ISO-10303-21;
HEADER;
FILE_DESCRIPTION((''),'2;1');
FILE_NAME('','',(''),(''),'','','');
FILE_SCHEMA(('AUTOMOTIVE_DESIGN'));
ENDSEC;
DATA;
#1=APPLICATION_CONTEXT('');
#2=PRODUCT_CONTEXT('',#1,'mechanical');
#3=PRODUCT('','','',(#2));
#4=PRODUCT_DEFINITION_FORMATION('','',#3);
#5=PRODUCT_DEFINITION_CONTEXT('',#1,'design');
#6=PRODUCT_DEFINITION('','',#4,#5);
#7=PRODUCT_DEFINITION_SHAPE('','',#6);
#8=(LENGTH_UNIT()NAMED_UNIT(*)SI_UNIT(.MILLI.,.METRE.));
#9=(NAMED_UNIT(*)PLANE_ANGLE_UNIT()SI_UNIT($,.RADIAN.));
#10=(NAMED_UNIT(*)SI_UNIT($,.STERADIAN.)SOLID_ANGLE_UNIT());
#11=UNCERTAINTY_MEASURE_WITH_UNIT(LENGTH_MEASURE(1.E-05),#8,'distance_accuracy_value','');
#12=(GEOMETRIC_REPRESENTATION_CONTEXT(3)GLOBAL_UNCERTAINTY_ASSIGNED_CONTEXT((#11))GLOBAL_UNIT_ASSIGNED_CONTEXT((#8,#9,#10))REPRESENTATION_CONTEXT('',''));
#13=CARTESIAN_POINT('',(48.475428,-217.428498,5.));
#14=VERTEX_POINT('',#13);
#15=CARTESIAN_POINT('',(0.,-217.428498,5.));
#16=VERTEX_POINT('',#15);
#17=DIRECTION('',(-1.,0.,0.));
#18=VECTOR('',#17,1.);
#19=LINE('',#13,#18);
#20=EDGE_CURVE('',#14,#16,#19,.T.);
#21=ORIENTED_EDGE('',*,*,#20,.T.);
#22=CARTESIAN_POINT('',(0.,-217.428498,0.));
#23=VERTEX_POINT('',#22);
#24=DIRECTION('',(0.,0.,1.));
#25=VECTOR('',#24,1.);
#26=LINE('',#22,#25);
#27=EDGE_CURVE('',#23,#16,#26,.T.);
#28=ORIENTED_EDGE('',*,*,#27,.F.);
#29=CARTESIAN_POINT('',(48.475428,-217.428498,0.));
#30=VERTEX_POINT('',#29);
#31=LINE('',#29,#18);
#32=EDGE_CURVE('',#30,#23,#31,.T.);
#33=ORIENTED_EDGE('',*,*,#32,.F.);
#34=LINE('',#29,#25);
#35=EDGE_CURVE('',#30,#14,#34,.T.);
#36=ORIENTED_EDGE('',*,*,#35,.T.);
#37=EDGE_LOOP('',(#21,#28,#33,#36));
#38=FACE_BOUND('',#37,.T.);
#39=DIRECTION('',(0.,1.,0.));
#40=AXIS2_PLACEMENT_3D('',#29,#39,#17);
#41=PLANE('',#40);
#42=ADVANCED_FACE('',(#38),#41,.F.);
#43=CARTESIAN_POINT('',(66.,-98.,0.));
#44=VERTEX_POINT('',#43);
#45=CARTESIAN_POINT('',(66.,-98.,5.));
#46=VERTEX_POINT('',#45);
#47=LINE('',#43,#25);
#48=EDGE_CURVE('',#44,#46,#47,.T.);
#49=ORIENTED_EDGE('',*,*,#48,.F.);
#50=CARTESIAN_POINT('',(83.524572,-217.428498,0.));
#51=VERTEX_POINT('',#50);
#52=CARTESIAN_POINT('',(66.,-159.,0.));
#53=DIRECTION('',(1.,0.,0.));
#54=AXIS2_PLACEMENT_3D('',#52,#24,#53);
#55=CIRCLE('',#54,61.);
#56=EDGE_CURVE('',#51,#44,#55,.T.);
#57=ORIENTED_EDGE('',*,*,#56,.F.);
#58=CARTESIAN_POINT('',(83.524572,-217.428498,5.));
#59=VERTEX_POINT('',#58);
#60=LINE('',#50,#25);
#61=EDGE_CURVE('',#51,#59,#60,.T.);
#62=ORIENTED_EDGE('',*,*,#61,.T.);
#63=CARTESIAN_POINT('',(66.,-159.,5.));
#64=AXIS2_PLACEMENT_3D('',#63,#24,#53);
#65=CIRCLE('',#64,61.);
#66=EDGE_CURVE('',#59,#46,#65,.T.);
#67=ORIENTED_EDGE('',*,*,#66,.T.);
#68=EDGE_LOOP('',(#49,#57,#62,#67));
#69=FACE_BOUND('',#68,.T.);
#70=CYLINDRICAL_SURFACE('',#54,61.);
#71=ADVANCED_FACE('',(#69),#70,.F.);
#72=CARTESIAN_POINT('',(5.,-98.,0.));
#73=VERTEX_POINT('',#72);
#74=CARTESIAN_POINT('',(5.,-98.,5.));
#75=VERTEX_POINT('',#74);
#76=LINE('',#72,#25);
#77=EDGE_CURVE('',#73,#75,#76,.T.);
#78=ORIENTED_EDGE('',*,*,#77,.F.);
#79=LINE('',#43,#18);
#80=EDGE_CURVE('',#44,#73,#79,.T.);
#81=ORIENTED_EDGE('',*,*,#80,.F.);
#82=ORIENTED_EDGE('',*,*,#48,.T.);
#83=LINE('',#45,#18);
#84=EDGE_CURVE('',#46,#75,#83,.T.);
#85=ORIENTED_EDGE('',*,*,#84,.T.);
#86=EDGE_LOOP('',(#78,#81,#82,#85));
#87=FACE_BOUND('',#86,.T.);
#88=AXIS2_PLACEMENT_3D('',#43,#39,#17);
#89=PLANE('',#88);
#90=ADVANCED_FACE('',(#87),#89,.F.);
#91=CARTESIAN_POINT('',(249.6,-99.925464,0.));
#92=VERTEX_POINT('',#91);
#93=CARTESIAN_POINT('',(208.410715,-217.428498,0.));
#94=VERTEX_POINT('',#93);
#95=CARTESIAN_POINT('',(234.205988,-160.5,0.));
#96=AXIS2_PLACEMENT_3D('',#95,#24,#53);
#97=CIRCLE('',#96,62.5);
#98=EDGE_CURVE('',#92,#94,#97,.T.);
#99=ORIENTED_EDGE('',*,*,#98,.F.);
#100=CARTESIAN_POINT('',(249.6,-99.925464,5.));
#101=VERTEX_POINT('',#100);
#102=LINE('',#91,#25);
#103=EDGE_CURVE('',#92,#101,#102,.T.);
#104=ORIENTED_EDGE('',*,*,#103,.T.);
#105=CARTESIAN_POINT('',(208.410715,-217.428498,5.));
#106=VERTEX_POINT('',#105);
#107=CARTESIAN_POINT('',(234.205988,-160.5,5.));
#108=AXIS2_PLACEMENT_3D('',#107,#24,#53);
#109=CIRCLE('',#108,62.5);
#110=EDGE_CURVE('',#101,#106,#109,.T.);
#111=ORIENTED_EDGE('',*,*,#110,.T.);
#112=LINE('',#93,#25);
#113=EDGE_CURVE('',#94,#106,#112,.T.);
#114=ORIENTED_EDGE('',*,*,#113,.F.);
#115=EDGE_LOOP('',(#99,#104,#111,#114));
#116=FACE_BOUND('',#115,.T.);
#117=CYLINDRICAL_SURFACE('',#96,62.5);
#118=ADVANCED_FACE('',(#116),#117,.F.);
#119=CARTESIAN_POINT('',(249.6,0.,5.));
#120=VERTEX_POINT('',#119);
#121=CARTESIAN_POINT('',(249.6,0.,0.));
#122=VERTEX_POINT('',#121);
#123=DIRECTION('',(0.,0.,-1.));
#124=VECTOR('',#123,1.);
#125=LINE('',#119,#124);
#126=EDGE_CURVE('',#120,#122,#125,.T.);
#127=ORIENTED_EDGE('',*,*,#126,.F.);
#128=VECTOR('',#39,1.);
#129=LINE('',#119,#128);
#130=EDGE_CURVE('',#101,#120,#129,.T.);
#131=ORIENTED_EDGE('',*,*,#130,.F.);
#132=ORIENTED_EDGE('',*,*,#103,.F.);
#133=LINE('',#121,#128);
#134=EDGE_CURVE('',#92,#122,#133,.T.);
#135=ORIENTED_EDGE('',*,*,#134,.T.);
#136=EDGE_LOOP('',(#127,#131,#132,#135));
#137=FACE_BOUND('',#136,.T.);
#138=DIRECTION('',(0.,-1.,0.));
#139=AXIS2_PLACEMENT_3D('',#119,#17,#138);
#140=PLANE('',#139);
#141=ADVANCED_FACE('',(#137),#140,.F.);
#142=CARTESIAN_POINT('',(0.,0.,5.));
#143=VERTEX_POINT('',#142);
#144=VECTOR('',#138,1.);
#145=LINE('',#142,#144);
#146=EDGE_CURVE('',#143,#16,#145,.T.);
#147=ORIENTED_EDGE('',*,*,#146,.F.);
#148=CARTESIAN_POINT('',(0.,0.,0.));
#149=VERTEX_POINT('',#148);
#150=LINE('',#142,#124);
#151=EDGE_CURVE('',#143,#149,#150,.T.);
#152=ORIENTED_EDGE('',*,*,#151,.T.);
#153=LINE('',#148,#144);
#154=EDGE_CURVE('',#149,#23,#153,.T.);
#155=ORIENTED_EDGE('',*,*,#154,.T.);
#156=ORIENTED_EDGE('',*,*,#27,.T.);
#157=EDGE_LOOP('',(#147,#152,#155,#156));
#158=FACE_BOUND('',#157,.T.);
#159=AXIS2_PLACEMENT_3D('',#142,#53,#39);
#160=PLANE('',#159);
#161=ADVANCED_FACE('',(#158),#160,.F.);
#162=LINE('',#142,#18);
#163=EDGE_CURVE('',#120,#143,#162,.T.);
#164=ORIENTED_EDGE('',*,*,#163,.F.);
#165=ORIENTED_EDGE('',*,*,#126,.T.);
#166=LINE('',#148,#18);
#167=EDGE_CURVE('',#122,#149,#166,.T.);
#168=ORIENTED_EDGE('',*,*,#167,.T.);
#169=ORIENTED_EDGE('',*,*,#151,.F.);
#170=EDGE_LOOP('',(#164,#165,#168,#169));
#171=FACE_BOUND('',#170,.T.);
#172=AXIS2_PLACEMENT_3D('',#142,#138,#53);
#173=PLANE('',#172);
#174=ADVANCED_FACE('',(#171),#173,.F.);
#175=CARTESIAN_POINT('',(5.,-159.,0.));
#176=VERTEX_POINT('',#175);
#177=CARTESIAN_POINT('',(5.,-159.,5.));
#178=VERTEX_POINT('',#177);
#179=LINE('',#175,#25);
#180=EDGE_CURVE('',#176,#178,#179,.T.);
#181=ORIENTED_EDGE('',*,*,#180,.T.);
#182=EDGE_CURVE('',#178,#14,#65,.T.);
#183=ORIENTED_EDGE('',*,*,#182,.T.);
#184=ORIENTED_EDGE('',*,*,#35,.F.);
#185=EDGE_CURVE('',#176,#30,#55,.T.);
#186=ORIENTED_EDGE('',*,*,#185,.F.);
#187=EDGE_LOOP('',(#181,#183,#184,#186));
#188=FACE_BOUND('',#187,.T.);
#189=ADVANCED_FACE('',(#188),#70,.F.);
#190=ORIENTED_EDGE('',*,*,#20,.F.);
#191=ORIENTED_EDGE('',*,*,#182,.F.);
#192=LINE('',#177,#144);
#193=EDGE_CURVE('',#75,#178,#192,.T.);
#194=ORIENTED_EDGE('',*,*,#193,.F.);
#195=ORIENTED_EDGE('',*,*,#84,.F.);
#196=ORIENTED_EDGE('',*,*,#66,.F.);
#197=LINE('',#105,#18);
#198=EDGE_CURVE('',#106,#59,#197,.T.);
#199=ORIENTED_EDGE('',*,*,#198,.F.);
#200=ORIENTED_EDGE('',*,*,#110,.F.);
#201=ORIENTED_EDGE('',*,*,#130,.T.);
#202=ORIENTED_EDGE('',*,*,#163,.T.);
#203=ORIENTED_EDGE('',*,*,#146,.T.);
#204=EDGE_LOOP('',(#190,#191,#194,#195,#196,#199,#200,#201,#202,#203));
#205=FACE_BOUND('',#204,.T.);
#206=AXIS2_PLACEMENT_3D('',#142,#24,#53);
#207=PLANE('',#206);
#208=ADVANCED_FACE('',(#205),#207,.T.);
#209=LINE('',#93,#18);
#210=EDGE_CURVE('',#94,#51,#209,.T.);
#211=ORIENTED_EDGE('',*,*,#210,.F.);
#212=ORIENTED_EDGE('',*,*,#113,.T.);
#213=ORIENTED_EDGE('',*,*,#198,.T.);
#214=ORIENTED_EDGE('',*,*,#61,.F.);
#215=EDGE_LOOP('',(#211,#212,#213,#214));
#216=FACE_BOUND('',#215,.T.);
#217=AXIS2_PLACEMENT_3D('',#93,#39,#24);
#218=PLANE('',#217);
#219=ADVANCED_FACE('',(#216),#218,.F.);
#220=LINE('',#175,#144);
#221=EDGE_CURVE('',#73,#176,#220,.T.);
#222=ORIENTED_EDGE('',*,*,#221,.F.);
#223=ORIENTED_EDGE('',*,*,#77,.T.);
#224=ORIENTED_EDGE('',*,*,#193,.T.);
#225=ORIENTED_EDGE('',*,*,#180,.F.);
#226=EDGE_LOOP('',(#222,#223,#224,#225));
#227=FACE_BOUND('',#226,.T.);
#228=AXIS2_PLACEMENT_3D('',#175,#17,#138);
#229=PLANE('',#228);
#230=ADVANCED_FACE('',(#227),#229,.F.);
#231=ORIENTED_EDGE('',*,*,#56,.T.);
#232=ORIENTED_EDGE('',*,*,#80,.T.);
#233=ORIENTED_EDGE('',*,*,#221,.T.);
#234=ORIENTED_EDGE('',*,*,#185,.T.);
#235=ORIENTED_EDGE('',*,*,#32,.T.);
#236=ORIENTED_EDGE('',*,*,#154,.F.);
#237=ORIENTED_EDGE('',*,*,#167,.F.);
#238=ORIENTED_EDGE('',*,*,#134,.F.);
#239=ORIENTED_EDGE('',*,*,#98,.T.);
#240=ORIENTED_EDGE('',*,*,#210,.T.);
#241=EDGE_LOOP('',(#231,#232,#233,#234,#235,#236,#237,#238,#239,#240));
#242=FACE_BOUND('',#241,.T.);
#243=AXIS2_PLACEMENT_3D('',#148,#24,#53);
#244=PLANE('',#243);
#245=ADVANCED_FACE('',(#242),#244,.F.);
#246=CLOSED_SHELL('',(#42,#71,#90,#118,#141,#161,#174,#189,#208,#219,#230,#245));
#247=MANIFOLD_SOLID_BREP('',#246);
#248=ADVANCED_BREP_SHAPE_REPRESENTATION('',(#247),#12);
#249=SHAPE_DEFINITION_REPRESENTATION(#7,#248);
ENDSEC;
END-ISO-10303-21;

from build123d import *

# Parameters (mm, degrees)
SKETCH1_W           = 249.6
SKETCH1_H           = 267.4
BOSS_EXTRUDE1_DEPTH = 5
CUT_EXTRUDE3_DEPTH  = 6


with BuildPart() as part:
    # Sketch1 → Boss-Extrude1 (new body)
    with BuildSketch(Plane.XY):
        with Locations((124.8, -133.7)):
            Rectangle(SKETCH1_W, SKETCH1_H)
    extrude(amount=BOSS_EXTRUDE1_DEPTH)

    # Sketch5 → Cut-Extrude3 (cut, through all)
    with BuildSketch(Plane.XY.offset(5)):
        with BuildLine():
            Line((124.8, -267.4), (249.6, -267.4))
            Line((249.6, -267.4), (249.6, -99.925464159))
            ThreePointArc((249.6, -99.925464159), (175.224742578, -139.824828971), (208.410715021, -217.428498098))
            Line((208.410715021, -217.428498098), (83.524571607, -217.428498098))
            ThreePointArc((83.524571607, -217.428498098), (126.353700731, -150.143883017), (66, -98))
            Line((66, -98), (5, -98))
            Line((5, -98), (5, -159))
            ThreePointArc((5, -159), (17.061268569, -195.414290683), (48.475428393, -217.428498098))
            Line((48.475428393, -217.428498098), (0, -217.428498098))
            Line((0, -217.428498098), (0, -267.4))
            Line((0, -267.4), (124.8, -267.4))
        make_face()
    extrude(amount=-CUT_EXTRUDE3_DEPTH, mode=Mode.SUBTRACT)


solid = part.part
